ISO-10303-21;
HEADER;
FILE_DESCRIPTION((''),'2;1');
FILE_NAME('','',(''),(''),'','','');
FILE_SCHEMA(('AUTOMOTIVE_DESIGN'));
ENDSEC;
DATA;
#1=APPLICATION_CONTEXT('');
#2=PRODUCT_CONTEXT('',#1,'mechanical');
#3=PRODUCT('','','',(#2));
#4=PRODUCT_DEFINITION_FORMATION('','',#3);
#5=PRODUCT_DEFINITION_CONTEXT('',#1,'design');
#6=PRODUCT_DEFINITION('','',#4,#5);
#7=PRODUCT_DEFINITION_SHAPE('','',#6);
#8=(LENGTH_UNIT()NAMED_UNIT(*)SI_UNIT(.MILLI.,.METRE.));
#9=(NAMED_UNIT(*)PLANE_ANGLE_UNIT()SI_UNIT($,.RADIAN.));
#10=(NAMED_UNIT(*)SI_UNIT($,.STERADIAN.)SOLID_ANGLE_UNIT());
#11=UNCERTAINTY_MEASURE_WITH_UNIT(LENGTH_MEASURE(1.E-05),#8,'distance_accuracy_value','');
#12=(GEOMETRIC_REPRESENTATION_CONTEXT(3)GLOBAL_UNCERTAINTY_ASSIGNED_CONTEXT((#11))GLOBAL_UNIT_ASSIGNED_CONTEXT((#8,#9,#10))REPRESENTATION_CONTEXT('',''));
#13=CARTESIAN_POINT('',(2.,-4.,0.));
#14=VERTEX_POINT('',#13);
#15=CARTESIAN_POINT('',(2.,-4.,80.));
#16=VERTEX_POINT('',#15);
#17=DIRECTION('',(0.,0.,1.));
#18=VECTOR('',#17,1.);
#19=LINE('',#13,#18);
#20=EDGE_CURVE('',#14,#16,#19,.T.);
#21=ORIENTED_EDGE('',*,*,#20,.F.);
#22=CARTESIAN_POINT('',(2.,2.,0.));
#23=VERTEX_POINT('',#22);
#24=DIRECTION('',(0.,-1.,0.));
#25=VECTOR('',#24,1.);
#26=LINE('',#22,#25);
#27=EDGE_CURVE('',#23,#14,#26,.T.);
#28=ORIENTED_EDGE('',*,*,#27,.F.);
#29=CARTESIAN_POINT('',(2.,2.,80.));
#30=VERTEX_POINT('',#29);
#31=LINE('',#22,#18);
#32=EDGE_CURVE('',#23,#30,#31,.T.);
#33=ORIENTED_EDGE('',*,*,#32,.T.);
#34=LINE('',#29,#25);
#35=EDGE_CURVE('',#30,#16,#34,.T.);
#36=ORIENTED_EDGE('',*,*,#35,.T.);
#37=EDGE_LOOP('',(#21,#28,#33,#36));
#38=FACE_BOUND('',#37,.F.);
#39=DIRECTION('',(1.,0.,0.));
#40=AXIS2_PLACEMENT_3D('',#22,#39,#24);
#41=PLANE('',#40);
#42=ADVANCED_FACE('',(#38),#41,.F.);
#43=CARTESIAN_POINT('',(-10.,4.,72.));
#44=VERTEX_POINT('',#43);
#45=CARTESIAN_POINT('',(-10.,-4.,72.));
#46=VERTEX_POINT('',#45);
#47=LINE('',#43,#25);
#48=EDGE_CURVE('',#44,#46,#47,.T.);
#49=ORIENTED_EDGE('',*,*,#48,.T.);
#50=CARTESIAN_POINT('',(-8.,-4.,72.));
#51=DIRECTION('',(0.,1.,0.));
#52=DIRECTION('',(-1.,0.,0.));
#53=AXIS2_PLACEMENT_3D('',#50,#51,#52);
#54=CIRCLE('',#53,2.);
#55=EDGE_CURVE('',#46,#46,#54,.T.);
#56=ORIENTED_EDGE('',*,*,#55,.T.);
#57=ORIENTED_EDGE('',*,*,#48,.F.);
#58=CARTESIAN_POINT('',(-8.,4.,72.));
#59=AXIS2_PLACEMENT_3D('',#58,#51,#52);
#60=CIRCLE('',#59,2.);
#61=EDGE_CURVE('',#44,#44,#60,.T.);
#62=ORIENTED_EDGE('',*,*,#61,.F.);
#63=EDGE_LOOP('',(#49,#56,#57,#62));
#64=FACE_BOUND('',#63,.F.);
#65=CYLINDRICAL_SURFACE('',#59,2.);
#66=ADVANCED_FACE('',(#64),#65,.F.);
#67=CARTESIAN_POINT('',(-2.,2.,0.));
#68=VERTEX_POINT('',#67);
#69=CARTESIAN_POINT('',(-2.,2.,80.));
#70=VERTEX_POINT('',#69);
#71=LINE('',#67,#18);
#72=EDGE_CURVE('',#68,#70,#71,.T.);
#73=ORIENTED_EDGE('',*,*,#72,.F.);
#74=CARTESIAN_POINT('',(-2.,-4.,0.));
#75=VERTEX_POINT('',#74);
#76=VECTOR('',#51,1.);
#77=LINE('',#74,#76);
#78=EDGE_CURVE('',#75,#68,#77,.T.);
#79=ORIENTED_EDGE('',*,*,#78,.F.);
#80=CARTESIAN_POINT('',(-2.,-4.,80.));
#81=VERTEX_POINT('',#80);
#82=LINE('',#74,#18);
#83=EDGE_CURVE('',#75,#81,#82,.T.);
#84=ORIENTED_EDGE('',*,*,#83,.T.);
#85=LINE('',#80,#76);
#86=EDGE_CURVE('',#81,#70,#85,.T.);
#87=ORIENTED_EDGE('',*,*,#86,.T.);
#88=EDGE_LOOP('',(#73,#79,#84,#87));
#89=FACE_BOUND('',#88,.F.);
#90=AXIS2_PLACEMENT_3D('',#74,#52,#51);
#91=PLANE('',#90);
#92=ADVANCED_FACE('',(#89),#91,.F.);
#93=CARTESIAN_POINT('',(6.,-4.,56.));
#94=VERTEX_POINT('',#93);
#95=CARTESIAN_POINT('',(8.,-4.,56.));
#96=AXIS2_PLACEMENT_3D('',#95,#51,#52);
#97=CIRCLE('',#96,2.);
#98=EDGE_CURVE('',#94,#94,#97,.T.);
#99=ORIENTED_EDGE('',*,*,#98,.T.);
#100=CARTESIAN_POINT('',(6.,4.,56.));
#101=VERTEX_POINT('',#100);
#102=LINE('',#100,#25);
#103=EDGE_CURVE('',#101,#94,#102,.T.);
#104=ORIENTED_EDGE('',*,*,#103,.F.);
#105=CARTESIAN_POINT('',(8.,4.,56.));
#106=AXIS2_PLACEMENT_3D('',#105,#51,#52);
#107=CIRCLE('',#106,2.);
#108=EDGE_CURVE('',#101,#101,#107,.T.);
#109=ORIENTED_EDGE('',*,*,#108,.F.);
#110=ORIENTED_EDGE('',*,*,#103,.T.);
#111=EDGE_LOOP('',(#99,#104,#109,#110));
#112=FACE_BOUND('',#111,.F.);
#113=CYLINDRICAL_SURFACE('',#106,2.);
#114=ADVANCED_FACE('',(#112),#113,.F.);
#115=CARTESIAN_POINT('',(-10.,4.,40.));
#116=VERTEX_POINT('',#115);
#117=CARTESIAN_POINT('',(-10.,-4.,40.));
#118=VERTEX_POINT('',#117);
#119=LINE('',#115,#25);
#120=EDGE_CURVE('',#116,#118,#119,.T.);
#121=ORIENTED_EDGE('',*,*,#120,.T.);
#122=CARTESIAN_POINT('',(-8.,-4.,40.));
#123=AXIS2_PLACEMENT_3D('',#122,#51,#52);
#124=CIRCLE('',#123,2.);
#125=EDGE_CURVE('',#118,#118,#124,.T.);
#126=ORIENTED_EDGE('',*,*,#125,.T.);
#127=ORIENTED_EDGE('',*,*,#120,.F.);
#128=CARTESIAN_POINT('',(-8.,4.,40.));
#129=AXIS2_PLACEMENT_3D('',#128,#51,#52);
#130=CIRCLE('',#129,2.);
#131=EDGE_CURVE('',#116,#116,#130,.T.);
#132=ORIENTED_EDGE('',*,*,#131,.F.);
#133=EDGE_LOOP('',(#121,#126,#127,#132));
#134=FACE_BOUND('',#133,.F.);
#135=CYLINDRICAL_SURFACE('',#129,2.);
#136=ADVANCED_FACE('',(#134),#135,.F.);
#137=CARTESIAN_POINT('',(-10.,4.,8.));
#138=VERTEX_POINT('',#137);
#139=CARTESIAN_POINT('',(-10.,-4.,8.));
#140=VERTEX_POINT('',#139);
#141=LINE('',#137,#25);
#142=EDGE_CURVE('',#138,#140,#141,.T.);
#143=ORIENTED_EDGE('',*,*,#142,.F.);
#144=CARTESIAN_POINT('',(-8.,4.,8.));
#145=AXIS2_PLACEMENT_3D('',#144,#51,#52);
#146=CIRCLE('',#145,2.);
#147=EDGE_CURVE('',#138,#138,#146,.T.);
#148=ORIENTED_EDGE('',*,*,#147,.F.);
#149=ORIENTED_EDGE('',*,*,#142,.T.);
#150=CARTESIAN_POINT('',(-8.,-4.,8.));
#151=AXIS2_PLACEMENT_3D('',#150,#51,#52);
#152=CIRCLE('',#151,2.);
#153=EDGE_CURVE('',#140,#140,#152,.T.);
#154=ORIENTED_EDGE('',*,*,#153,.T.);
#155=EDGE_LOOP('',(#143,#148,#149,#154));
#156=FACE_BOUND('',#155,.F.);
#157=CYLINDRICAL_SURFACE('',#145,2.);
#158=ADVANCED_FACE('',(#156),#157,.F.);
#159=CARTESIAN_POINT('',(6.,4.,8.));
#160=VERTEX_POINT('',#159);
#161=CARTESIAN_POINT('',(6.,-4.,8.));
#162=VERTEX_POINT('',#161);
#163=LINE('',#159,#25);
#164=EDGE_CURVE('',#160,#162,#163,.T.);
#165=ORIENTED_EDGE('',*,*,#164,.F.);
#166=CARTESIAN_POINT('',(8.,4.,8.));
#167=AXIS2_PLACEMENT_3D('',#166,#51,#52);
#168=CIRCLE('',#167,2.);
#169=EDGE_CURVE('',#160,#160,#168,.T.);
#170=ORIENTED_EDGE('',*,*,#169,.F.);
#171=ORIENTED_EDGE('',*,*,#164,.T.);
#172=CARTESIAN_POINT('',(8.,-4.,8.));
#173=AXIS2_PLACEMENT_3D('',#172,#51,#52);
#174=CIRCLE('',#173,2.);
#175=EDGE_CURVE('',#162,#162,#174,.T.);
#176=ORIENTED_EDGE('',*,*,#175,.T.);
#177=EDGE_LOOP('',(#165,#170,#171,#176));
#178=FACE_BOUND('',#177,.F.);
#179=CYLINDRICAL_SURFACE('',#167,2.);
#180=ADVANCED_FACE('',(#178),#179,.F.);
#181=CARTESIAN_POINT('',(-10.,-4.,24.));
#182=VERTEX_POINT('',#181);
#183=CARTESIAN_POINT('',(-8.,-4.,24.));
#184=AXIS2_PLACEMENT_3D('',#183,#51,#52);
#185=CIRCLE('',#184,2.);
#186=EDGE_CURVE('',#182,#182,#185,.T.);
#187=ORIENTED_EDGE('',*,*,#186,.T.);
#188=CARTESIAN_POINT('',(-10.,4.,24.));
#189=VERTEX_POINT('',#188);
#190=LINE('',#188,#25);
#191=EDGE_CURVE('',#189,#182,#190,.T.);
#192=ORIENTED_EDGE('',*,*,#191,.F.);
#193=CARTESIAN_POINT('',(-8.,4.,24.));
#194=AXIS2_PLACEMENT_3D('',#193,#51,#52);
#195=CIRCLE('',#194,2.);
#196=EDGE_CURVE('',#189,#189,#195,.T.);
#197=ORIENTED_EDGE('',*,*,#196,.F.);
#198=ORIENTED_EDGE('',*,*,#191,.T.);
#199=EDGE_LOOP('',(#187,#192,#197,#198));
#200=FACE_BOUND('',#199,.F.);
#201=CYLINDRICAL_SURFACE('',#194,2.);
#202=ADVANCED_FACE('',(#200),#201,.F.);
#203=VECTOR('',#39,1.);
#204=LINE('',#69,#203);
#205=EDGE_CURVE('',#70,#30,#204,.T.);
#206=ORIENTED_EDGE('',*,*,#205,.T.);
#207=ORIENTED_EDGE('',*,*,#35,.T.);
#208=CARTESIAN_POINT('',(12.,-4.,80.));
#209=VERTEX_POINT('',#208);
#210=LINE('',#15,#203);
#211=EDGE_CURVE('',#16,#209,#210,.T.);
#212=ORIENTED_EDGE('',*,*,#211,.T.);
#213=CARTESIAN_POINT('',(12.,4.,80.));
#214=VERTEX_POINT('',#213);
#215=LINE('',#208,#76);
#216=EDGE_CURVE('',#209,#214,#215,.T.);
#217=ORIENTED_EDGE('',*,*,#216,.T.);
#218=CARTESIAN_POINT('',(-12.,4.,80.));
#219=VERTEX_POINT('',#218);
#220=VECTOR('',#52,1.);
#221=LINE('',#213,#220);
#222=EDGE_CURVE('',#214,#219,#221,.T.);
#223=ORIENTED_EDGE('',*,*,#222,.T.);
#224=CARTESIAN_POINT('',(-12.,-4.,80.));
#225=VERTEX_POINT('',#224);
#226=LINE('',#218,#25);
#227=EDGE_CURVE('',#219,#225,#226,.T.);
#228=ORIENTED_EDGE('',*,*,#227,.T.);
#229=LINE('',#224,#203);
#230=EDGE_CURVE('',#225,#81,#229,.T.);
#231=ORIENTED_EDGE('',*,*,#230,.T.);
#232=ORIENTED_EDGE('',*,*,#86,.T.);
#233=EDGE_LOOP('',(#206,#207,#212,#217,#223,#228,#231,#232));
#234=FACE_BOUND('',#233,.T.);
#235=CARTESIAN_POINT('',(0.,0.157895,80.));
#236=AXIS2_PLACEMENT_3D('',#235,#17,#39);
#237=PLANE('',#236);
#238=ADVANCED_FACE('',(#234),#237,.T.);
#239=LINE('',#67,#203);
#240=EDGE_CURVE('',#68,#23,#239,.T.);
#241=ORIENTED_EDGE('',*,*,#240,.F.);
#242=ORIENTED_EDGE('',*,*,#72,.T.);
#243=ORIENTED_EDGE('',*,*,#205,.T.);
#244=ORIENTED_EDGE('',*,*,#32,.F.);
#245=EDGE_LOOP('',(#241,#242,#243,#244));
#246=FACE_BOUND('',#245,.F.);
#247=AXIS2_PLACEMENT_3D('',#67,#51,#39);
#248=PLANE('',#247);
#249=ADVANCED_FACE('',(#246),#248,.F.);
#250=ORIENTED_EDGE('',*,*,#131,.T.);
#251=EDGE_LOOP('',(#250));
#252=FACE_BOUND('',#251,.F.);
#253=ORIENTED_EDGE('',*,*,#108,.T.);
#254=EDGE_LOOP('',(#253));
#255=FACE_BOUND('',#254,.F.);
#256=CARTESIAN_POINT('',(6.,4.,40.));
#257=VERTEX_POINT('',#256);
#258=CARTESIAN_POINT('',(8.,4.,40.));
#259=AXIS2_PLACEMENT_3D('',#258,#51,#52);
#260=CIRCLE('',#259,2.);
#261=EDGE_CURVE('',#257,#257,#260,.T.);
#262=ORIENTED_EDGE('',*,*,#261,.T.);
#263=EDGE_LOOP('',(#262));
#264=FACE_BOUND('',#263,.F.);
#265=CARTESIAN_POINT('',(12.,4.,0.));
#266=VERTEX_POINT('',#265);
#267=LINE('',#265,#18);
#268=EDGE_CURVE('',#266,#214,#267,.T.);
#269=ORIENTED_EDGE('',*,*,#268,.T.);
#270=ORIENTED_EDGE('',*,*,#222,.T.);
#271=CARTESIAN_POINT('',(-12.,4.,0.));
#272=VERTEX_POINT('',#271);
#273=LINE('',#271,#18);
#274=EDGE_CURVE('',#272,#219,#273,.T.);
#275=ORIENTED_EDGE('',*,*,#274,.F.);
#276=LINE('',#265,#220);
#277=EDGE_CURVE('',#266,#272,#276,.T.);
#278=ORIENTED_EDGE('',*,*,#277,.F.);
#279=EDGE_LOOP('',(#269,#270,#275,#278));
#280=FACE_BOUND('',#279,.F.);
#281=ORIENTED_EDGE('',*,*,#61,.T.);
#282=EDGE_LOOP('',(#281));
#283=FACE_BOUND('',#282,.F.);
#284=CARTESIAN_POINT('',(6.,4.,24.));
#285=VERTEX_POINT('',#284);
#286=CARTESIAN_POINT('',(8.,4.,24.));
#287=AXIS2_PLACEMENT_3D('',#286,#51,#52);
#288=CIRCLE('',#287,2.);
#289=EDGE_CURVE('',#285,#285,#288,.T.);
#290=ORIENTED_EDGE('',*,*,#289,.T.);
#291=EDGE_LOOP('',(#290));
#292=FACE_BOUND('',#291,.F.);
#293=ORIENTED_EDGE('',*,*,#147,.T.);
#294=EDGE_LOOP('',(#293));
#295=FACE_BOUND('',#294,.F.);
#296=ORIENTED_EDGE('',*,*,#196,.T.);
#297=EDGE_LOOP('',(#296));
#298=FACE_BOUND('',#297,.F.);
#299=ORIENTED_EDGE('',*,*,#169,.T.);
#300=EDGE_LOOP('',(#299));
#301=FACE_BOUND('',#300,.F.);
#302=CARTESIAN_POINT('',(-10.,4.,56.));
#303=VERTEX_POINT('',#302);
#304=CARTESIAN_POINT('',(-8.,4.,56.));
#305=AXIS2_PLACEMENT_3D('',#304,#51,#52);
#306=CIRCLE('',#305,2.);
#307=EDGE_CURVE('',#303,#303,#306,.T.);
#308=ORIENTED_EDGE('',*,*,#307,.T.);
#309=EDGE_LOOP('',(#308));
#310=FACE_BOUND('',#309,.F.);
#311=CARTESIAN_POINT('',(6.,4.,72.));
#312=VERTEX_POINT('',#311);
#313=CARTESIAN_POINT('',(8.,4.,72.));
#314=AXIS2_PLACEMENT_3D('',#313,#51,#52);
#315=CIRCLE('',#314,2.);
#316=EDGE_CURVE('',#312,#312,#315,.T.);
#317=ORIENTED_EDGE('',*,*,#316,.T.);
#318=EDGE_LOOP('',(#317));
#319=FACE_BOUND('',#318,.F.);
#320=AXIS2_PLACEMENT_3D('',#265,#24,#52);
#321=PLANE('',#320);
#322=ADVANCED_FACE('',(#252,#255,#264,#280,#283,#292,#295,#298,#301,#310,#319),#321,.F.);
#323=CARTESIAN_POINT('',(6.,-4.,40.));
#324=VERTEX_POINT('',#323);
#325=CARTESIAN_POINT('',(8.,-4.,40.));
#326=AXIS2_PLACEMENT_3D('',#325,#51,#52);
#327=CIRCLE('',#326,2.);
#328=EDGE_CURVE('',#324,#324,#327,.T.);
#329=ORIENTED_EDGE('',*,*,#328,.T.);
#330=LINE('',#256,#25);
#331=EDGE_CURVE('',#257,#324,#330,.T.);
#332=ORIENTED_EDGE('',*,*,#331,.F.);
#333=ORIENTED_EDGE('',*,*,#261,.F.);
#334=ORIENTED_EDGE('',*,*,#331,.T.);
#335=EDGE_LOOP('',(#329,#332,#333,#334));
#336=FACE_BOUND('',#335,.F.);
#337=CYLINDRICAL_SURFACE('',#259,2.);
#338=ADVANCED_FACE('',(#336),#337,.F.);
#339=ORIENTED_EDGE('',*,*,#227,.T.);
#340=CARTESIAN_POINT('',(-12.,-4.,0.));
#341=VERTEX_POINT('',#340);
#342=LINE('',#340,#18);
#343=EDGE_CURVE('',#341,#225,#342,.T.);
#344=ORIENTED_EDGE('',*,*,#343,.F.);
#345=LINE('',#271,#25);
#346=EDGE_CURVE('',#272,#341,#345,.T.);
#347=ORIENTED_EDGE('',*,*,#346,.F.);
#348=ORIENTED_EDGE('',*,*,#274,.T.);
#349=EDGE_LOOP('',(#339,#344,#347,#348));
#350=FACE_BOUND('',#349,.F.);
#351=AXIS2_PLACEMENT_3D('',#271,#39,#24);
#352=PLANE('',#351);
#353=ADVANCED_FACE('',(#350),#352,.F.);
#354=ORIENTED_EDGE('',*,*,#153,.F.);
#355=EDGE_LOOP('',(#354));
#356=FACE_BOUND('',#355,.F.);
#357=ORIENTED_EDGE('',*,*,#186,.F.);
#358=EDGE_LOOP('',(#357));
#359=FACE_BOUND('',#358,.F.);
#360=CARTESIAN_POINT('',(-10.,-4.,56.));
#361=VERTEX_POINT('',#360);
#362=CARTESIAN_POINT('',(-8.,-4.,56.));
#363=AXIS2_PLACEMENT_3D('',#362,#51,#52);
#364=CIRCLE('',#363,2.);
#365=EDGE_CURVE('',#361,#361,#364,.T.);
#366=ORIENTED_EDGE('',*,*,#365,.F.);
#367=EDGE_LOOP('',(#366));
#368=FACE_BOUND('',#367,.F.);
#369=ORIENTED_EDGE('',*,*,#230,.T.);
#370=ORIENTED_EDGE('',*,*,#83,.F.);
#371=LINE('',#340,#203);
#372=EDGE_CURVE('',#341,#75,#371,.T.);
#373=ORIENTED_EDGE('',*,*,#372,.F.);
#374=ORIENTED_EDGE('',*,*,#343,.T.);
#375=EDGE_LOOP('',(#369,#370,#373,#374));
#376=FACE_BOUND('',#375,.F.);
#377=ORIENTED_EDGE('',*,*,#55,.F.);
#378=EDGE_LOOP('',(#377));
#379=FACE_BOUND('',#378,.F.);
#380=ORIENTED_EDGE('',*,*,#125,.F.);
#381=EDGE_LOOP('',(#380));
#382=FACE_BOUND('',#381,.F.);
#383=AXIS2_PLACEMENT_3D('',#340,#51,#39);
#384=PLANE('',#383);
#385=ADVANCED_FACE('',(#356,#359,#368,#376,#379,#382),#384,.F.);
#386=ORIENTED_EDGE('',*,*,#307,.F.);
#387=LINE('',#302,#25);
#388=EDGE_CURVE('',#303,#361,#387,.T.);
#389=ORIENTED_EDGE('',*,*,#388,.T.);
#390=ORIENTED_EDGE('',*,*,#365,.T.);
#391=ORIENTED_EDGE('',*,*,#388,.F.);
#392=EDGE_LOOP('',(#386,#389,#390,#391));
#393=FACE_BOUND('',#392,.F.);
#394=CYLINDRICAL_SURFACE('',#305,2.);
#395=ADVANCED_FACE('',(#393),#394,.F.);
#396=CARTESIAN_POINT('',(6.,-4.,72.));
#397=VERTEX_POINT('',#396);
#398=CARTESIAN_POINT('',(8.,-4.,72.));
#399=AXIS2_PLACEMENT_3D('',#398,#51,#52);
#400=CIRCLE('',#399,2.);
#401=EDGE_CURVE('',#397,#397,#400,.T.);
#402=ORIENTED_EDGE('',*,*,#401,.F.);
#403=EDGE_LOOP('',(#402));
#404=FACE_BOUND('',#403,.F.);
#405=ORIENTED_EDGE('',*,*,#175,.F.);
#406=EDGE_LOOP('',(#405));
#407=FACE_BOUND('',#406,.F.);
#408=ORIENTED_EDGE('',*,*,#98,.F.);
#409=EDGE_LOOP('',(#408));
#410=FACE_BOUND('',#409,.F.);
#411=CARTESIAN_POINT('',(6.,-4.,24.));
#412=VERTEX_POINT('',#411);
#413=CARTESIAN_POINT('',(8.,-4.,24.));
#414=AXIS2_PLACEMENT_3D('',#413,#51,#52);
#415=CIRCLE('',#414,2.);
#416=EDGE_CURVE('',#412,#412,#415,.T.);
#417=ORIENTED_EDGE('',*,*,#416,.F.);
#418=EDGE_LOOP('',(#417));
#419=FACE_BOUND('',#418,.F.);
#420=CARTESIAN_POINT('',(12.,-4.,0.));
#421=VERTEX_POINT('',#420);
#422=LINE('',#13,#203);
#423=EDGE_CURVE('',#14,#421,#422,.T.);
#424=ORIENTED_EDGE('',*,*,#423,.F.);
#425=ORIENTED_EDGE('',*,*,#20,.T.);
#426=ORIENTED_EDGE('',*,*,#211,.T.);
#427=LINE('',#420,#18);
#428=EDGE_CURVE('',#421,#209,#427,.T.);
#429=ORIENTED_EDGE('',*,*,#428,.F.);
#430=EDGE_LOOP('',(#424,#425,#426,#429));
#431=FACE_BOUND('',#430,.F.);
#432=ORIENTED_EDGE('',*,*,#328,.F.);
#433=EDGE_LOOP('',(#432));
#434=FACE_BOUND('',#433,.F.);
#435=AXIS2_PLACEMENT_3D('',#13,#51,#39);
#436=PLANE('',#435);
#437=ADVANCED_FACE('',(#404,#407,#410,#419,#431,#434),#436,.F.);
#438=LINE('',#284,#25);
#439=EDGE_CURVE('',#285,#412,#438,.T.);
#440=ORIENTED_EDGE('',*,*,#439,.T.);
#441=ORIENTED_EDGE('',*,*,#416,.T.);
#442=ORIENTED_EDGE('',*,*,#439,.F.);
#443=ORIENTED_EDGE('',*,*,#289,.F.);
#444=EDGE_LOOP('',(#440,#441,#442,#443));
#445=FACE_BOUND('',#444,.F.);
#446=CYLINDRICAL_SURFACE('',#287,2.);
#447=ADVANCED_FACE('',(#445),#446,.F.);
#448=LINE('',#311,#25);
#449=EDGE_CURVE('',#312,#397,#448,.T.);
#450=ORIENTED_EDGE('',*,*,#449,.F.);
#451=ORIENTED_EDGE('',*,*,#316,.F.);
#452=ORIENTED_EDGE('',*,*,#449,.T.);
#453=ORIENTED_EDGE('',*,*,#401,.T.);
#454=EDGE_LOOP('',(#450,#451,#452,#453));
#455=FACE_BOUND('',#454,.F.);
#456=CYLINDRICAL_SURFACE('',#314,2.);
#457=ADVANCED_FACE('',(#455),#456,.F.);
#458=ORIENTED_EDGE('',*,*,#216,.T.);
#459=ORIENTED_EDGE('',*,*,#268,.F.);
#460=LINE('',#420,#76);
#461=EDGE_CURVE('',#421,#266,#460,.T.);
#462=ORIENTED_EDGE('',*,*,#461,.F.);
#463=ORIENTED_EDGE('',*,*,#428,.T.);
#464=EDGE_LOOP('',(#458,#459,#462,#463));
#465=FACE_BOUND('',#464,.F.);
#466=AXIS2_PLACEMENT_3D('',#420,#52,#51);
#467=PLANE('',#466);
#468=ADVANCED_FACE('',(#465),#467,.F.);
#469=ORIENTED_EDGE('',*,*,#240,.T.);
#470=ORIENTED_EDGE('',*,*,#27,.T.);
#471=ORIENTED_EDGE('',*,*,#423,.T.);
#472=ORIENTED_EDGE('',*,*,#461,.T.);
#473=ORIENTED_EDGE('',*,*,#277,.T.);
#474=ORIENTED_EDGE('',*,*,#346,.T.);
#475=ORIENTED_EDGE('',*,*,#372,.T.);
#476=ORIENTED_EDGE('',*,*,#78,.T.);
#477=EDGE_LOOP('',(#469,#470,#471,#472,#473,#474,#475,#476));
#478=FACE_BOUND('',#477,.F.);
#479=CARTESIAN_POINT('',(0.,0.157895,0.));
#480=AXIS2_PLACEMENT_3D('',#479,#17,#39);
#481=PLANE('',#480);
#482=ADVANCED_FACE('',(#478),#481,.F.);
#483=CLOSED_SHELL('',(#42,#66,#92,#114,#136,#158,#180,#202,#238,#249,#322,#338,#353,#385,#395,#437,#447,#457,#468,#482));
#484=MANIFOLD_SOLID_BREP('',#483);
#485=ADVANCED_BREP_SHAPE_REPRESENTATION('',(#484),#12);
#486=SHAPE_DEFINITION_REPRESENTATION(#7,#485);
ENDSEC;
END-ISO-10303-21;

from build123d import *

# Parameters (mm, degrees)
F1_DEPTH = 80
F2_R     = 2
F3_DEPTH = 25


with BuildPart() as f1:
    # F0 (on Top) → F1 (new body)
    with BuildSketch(Plane.XY):
        Polygon((12, -4), (12, 4), (-12, 4), (-12, -4), (-2, -4), (-2, 2), (2, 2), (2, -4), align=None)
    extrude(amount=F1_DEPTH)

    # F2 (on face) → F3 (cut)
    with BuildSketch(Plane(origin=(0, 4, 0), x_dir=(-1, 0, 0), z_dir=(0, 1, 0))):
        with Locations((-8, 8)):
            Circle(F2_R)
        with Locations((-8, 24)):
            Circle(F2_R)
        with Locations((-8, 40)):
            Circle(F2_R)
        with Locations((-8, 56)):
            Circle(F2_R)
        with Locations((-8, 72)):
            Circle(F2_R)
        with Locations((8, 8)):
            Circle(F2_R)
        with Locations((8, 24)):
            Circle(F2_R)
        with Locations((8, 40)):
            Circle(F2_R)
        with Locations((8, 56)):
            Circle(F2_R)
        with Locations((8, 72)):
            Circle(F2_R)
        with Locations((-8, 88)):
            Circle(F2_R)
        with Locations((-8, 104)):
            Circle(F2_R)
        with Locations((-8, 120)):
            Circle(F2_R)
        with Locations((-8, 136)):
            Circle(F2_R)
        with Locations((-8, 152)):
            Circle(F2_R)
        with Locations((8, 88)):
            Circle(F2_R)
        with Locations((8, 104)):
            Circle(F2_R)
        with Locations((8, 120)):
            Circle(F2_R)
        with Locations((8, 136)):
            Circle(F2_R)
        with Locations((8, 152)):
            Circle(F2_R)
    extrude(amount=-F3_DEPTH, mode=Mode.SUBTRACT)


solid = f1.part
